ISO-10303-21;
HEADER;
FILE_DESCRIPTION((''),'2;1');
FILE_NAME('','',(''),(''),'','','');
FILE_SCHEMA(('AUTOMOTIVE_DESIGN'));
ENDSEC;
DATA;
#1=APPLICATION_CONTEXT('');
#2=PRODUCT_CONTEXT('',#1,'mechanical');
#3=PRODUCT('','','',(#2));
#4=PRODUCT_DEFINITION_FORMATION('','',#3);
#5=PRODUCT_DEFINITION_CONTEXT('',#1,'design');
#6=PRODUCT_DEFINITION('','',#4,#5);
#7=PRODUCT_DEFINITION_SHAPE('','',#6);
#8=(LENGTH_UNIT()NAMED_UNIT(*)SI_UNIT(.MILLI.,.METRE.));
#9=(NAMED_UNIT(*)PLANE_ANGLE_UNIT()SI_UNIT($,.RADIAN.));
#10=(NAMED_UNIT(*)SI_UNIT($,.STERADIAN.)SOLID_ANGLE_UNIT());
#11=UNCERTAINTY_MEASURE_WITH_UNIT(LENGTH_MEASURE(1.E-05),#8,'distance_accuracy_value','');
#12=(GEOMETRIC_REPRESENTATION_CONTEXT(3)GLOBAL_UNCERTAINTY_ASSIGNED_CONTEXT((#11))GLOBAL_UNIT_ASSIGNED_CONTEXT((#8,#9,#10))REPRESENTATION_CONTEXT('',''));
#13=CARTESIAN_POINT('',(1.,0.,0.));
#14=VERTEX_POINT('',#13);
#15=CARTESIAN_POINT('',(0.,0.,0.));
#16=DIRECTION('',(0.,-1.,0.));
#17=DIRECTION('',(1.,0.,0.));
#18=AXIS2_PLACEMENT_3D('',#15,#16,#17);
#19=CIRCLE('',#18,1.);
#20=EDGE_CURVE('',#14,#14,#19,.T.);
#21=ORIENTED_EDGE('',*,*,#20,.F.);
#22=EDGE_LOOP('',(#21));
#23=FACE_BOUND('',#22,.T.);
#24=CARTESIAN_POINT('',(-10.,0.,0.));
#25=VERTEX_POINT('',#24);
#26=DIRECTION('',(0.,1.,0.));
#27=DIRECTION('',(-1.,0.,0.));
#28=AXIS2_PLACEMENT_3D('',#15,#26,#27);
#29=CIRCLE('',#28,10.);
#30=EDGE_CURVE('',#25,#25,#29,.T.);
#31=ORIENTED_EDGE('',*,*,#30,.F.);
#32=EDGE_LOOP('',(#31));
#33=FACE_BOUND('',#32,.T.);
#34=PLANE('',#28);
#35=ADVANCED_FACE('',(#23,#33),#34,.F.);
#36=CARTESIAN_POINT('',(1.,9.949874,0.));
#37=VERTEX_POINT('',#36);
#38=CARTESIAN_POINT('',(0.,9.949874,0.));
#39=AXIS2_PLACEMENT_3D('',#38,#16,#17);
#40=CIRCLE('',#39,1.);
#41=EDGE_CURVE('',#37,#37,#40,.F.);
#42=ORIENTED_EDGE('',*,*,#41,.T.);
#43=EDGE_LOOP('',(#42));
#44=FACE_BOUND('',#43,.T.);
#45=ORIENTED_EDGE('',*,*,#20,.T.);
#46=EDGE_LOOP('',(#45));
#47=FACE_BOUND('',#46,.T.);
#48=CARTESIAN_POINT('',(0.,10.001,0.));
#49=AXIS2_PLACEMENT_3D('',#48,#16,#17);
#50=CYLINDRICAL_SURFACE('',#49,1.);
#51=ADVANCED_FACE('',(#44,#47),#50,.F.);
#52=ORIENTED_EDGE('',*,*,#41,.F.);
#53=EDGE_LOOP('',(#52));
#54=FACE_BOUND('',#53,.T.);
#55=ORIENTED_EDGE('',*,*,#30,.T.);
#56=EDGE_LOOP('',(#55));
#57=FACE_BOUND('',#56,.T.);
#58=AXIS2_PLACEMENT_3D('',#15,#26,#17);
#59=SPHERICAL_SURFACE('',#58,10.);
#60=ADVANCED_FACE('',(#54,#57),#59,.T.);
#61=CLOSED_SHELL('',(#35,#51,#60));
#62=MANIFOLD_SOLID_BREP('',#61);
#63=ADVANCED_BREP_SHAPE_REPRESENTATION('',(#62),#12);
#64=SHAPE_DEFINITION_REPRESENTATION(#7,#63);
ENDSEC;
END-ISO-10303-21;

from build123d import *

# Parameters (mm, degrees)
CUT_EXTRUDE_1_REACH = 12
SKETCH_3_R          = 1


with BuildPart() as part:
    # 草图2 → 旋转1 (revolve)
    with BuildSketch(Plane.XY):
        with BuildLine():
            Line((0, 0), (10, 0))
            ThreePointArc((10, 0), (7.071067812, 7.071067812), (0, 10))
            Line((0, 10), (0, 0))
        make_face()
    revolve(axis=Axis((0, 10, 0), (0, -1, 0)))

    # 草图3 → 切除-拉伸1 (cut, up to next)
    with BuildSketch(Plane.XZ, mode=Mode.PRIVATE) as cut_extrude_1_sk1:
        Circle(SKETCH_3_R)
    cut_extrude_1_tool1 = extrude(cut_extrude_1_sk1.sketch, amount=-CUT_EXTRUDE_1_REACH, mode=Mode.PRIVATE) & part.part
    add(cut_extrude_1_tool1.solids().sort_by_distance((0, 0, 0))[0], mode=Mode.SUBTRACT)


solid = part.part
